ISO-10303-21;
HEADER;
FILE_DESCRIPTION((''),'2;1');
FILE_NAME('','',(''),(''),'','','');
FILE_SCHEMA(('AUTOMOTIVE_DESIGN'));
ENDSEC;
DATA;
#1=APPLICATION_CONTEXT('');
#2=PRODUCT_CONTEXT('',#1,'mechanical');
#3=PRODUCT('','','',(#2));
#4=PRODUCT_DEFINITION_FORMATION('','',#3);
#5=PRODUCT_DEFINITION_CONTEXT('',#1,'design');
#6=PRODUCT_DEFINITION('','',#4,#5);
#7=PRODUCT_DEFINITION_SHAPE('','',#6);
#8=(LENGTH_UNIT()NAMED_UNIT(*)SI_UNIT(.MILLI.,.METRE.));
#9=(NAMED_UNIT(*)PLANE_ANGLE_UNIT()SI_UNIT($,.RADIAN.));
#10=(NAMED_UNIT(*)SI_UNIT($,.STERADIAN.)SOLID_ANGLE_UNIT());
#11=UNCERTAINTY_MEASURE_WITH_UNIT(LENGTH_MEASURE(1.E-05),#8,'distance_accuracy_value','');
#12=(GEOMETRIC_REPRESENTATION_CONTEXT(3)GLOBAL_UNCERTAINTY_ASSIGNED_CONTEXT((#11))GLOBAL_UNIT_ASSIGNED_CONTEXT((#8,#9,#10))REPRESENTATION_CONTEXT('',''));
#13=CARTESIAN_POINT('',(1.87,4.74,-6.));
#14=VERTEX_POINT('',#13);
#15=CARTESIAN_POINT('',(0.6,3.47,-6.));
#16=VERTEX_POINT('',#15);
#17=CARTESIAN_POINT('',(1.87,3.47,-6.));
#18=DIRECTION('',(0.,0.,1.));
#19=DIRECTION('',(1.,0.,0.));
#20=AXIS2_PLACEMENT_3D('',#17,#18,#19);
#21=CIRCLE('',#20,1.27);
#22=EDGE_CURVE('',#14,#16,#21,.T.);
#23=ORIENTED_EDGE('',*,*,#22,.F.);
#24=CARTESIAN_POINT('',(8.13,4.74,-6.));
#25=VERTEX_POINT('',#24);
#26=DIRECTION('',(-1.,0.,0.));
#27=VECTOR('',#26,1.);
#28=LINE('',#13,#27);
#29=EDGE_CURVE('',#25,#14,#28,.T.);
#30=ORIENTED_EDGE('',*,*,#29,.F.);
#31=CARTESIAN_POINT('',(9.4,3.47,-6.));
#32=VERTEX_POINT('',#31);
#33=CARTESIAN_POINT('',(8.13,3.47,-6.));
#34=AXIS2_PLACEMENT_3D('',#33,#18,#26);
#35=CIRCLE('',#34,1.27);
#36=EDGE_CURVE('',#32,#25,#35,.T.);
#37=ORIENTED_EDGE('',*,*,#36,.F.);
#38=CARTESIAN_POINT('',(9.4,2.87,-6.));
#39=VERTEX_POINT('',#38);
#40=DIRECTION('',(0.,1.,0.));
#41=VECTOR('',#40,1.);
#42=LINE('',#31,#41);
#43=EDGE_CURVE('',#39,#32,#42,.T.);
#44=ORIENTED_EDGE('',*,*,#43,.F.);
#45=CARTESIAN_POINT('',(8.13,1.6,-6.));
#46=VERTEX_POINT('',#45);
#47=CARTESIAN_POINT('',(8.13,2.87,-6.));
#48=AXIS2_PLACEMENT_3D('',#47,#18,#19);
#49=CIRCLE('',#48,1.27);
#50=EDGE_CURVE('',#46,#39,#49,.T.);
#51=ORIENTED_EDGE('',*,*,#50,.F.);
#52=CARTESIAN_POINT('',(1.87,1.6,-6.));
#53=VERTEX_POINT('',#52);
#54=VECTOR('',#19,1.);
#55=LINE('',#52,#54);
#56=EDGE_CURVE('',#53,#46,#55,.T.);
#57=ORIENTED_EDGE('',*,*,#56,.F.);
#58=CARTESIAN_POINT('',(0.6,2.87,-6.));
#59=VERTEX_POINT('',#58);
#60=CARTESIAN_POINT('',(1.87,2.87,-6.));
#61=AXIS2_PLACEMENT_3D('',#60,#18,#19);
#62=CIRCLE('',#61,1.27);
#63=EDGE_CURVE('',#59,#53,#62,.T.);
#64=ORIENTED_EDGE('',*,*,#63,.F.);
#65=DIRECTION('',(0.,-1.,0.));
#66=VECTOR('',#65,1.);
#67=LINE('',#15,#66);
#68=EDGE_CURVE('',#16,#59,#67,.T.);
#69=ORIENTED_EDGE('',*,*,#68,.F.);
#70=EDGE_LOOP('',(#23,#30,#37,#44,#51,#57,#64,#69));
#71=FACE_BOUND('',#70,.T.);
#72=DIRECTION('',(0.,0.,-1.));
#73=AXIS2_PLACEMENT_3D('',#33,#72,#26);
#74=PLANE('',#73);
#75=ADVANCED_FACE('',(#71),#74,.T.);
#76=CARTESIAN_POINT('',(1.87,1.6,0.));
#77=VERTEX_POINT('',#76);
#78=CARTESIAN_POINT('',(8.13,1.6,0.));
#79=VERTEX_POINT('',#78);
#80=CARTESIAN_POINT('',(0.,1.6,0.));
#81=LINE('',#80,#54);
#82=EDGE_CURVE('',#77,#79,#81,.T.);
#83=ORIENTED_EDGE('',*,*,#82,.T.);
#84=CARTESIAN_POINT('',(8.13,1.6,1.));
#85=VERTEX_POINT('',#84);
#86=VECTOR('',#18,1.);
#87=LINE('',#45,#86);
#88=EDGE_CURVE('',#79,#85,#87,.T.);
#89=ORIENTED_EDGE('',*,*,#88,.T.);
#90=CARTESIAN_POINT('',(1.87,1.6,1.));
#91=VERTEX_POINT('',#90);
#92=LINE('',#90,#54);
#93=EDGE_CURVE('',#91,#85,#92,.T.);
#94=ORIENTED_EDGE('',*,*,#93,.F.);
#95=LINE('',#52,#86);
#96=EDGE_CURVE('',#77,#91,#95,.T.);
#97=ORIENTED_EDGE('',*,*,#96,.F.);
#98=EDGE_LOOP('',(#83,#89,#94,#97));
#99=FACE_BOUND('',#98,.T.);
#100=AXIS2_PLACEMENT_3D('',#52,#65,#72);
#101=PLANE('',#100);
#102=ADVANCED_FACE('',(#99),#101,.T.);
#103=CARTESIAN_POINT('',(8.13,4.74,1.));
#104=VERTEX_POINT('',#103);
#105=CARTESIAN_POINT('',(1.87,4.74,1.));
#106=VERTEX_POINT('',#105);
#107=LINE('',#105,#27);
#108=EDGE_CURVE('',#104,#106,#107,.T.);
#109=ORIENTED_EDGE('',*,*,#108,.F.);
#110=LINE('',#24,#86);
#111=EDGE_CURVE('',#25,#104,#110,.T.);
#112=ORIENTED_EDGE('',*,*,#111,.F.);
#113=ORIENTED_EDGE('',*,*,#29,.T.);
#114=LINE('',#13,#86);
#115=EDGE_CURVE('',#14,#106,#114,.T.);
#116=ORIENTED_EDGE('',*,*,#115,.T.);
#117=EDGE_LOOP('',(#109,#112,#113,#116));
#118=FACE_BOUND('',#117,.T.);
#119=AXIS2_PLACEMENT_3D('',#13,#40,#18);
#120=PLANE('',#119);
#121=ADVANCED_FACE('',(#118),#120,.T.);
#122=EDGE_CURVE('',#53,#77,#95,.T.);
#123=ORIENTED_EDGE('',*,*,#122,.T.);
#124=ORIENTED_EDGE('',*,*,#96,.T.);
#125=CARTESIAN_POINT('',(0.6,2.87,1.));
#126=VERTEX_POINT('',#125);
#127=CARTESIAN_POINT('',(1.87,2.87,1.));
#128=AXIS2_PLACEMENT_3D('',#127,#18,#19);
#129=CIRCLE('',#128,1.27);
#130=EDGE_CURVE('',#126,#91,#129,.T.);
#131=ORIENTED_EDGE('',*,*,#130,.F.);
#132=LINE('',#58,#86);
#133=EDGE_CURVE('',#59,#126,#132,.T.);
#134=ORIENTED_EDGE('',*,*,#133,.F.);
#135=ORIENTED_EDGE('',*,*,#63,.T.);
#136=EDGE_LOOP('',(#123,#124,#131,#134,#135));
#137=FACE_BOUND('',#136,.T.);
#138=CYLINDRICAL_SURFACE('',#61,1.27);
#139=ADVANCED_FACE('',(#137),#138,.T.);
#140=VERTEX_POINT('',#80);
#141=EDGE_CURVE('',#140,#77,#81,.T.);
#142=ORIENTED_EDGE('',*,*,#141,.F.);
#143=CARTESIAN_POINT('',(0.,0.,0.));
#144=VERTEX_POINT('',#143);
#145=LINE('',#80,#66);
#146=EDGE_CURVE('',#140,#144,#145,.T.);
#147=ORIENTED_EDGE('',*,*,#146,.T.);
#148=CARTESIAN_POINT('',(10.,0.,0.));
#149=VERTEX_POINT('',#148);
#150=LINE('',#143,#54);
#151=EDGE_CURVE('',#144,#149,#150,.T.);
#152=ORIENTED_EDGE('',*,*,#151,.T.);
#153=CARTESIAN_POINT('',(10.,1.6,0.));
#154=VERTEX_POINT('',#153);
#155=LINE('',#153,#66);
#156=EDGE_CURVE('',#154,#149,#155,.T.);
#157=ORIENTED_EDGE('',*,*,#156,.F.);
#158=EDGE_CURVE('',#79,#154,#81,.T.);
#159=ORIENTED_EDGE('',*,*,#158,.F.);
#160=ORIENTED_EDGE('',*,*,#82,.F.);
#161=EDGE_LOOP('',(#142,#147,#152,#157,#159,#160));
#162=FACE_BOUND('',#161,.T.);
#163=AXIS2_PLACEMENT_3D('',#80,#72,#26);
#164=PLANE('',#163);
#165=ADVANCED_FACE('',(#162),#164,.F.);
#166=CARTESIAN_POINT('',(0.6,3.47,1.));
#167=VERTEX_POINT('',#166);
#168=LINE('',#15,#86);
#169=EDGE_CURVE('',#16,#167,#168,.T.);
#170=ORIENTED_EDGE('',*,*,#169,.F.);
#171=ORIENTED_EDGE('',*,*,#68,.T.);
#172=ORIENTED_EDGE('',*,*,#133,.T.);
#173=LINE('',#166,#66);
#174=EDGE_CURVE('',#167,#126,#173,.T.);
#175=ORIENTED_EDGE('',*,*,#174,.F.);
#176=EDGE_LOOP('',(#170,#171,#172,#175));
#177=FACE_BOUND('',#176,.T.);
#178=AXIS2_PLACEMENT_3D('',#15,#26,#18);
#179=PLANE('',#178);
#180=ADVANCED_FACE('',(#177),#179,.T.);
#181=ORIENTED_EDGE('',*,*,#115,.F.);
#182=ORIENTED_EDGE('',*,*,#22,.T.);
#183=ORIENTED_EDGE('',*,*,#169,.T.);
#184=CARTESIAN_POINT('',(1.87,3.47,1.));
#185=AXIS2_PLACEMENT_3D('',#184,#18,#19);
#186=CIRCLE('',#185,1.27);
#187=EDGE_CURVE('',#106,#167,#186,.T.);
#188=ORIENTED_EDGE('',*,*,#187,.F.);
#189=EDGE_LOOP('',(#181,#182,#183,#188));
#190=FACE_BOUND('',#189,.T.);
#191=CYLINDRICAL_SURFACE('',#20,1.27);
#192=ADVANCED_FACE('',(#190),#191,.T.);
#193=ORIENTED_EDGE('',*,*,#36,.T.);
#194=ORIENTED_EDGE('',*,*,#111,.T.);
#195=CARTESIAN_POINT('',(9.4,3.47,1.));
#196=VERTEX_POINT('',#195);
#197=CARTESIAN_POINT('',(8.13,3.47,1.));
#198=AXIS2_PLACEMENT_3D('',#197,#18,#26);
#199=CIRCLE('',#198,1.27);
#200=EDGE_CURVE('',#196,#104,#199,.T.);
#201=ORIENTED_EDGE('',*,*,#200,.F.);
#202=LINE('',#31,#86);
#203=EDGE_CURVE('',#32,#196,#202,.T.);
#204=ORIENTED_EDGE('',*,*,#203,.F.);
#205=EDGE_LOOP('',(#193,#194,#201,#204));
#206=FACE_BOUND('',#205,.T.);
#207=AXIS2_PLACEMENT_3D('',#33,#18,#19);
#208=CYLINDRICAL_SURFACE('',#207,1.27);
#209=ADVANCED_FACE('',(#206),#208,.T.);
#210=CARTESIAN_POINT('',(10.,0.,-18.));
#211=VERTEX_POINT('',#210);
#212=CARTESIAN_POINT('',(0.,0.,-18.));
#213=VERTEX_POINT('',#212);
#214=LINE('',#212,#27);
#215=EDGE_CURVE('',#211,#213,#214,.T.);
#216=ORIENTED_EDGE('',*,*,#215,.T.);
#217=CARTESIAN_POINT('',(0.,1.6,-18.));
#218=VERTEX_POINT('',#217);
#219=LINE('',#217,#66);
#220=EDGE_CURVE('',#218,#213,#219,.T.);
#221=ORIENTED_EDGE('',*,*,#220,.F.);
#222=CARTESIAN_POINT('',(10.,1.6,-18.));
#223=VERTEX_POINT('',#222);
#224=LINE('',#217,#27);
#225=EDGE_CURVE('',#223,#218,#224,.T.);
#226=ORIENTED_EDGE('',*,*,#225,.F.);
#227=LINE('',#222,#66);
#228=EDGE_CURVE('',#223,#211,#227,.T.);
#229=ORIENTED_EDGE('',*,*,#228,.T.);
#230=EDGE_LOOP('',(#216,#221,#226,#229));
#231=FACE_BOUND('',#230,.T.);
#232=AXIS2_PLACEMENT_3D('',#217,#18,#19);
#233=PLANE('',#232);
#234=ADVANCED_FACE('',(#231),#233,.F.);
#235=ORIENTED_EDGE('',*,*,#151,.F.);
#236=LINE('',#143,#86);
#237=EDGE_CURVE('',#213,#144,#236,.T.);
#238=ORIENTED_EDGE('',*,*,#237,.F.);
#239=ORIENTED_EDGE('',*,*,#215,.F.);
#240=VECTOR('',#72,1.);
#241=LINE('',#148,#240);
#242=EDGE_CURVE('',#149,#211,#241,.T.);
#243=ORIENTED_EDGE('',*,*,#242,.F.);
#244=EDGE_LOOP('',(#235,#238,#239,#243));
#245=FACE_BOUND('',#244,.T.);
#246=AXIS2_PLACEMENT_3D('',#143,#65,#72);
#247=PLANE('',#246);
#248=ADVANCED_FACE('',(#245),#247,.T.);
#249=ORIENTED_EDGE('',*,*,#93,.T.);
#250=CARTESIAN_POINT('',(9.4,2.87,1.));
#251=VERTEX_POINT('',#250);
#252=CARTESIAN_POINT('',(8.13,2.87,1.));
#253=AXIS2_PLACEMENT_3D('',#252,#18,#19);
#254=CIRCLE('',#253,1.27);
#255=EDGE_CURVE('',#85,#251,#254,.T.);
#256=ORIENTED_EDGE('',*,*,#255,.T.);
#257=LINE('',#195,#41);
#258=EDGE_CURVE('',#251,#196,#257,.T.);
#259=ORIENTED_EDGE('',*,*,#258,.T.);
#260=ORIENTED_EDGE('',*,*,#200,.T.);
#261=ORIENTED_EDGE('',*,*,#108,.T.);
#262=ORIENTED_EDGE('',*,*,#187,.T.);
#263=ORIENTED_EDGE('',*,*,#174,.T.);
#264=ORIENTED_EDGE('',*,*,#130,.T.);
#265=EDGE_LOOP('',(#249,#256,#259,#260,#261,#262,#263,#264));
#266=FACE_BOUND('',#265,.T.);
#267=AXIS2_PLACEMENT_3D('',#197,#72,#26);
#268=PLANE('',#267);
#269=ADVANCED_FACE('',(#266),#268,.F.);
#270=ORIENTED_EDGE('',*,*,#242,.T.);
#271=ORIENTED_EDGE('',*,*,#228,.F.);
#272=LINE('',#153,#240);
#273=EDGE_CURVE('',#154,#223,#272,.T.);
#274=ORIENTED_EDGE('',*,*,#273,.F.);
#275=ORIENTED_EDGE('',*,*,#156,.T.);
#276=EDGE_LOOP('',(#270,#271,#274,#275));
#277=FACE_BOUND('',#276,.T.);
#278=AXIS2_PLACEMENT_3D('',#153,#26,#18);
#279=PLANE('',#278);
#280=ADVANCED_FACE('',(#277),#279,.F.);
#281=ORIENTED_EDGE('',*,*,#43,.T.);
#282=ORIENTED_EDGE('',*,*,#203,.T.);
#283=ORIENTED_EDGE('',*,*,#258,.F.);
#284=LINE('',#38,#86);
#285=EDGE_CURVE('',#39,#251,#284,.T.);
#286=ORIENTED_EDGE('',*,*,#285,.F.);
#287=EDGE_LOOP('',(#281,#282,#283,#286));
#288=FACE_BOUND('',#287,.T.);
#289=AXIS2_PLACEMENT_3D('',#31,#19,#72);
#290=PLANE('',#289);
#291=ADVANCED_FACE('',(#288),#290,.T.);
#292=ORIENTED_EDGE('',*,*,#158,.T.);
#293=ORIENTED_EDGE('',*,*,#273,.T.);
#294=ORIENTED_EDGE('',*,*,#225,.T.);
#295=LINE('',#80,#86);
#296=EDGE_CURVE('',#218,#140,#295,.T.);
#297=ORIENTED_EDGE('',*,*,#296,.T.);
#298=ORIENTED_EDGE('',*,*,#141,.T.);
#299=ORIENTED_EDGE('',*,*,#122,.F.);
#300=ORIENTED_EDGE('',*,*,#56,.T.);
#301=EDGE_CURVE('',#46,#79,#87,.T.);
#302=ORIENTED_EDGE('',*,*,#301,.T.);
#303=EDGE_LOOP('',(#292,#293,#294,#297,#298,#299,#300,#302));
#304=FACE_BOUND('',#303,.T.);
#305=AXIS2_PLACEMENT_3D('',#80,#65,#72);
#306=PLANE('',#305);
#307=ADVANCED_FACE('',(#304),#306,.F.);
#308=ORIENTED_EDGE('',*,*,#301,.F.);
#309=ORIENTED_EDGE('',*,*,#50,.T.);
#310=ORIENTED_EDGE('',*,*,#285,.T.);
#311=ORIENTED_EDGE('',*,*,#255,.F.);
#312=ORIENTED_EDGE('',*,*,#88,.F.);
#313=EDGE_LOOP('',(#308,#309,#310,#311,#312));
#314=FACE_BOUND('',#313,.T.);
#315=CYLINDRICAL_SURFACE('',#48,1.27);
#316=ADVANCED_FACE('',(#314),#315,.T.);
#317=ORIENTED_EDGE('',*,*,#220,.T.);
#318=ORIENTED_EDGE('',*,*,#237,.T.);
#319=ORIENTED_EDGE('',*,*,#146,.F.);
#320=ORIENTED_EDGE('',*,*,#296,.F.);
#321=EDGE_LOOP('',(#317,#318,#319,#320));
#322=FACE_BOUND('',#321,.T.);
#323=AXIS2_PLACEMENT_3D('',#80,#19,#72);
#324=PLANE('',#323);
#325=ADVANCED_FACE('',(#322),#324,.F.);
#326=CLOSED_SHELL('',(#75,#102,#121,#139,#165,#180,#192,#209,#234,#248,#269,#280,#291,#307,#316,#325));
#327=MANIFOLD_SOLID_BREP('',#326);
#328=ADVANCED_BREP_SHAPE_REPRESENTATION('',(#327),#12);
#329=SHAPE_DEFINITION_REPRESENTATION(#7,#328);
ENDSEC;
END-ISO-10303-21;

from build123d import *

# Parameters (mm, degrees)
SKETCH1_W           = 10
SKETCH1_H           = 18
BOSS_EXTRUDE1_DEPTH = 1.6
BOSS_EXTRUDE2_DEPTH = 7


with BuildPart() as part:
    # Sketch1 → Boss-Extrude1 (new body)
    with BuildSketch(Plane(origin=(0, 0, 0), x_dir=(1, 0, 0), z_dir=(0, 1, 0))):
        with Locations((5, 9)):
            Rectangle(SKETCH1_W, SKETCH1_H)
    extrude(amount=BOSS_EXTRUDE1_DEPTH)

    # Sketch3 → Boss-Extrude2 (add)
    with BuildSketch(Plane.XY.offset(1)):
        with BuildLine():
            Line((1.87, 4.74), (8.13, 4.74))
            ThreePointArc((8.13, 4.74), (9.028025612, 4.368025612), (9.4, 3.47))
            Line((9.4, 3.47), (9.4, 2.87))
            ThreePointArc((9.4, 2.87), (9.028025612, 1.971974388), (8.13, 1.6))
            Line((8.13, 1.6), (1.87, 1.6))
            ThreePointArc((1.87, 1.6), (0.971974388, 1.971974388), (0.6, 2.87))
            Line((0.6, 2.87), (0.6, 3.47))
            ThreePointArc((0.6, 3.47), (0.971974388, 4.368025612), (1.87, 4.74))
        make_face()
    extrude(amount=-BOSS_EXTRUDE2_DEPTH)


solid = part.part
